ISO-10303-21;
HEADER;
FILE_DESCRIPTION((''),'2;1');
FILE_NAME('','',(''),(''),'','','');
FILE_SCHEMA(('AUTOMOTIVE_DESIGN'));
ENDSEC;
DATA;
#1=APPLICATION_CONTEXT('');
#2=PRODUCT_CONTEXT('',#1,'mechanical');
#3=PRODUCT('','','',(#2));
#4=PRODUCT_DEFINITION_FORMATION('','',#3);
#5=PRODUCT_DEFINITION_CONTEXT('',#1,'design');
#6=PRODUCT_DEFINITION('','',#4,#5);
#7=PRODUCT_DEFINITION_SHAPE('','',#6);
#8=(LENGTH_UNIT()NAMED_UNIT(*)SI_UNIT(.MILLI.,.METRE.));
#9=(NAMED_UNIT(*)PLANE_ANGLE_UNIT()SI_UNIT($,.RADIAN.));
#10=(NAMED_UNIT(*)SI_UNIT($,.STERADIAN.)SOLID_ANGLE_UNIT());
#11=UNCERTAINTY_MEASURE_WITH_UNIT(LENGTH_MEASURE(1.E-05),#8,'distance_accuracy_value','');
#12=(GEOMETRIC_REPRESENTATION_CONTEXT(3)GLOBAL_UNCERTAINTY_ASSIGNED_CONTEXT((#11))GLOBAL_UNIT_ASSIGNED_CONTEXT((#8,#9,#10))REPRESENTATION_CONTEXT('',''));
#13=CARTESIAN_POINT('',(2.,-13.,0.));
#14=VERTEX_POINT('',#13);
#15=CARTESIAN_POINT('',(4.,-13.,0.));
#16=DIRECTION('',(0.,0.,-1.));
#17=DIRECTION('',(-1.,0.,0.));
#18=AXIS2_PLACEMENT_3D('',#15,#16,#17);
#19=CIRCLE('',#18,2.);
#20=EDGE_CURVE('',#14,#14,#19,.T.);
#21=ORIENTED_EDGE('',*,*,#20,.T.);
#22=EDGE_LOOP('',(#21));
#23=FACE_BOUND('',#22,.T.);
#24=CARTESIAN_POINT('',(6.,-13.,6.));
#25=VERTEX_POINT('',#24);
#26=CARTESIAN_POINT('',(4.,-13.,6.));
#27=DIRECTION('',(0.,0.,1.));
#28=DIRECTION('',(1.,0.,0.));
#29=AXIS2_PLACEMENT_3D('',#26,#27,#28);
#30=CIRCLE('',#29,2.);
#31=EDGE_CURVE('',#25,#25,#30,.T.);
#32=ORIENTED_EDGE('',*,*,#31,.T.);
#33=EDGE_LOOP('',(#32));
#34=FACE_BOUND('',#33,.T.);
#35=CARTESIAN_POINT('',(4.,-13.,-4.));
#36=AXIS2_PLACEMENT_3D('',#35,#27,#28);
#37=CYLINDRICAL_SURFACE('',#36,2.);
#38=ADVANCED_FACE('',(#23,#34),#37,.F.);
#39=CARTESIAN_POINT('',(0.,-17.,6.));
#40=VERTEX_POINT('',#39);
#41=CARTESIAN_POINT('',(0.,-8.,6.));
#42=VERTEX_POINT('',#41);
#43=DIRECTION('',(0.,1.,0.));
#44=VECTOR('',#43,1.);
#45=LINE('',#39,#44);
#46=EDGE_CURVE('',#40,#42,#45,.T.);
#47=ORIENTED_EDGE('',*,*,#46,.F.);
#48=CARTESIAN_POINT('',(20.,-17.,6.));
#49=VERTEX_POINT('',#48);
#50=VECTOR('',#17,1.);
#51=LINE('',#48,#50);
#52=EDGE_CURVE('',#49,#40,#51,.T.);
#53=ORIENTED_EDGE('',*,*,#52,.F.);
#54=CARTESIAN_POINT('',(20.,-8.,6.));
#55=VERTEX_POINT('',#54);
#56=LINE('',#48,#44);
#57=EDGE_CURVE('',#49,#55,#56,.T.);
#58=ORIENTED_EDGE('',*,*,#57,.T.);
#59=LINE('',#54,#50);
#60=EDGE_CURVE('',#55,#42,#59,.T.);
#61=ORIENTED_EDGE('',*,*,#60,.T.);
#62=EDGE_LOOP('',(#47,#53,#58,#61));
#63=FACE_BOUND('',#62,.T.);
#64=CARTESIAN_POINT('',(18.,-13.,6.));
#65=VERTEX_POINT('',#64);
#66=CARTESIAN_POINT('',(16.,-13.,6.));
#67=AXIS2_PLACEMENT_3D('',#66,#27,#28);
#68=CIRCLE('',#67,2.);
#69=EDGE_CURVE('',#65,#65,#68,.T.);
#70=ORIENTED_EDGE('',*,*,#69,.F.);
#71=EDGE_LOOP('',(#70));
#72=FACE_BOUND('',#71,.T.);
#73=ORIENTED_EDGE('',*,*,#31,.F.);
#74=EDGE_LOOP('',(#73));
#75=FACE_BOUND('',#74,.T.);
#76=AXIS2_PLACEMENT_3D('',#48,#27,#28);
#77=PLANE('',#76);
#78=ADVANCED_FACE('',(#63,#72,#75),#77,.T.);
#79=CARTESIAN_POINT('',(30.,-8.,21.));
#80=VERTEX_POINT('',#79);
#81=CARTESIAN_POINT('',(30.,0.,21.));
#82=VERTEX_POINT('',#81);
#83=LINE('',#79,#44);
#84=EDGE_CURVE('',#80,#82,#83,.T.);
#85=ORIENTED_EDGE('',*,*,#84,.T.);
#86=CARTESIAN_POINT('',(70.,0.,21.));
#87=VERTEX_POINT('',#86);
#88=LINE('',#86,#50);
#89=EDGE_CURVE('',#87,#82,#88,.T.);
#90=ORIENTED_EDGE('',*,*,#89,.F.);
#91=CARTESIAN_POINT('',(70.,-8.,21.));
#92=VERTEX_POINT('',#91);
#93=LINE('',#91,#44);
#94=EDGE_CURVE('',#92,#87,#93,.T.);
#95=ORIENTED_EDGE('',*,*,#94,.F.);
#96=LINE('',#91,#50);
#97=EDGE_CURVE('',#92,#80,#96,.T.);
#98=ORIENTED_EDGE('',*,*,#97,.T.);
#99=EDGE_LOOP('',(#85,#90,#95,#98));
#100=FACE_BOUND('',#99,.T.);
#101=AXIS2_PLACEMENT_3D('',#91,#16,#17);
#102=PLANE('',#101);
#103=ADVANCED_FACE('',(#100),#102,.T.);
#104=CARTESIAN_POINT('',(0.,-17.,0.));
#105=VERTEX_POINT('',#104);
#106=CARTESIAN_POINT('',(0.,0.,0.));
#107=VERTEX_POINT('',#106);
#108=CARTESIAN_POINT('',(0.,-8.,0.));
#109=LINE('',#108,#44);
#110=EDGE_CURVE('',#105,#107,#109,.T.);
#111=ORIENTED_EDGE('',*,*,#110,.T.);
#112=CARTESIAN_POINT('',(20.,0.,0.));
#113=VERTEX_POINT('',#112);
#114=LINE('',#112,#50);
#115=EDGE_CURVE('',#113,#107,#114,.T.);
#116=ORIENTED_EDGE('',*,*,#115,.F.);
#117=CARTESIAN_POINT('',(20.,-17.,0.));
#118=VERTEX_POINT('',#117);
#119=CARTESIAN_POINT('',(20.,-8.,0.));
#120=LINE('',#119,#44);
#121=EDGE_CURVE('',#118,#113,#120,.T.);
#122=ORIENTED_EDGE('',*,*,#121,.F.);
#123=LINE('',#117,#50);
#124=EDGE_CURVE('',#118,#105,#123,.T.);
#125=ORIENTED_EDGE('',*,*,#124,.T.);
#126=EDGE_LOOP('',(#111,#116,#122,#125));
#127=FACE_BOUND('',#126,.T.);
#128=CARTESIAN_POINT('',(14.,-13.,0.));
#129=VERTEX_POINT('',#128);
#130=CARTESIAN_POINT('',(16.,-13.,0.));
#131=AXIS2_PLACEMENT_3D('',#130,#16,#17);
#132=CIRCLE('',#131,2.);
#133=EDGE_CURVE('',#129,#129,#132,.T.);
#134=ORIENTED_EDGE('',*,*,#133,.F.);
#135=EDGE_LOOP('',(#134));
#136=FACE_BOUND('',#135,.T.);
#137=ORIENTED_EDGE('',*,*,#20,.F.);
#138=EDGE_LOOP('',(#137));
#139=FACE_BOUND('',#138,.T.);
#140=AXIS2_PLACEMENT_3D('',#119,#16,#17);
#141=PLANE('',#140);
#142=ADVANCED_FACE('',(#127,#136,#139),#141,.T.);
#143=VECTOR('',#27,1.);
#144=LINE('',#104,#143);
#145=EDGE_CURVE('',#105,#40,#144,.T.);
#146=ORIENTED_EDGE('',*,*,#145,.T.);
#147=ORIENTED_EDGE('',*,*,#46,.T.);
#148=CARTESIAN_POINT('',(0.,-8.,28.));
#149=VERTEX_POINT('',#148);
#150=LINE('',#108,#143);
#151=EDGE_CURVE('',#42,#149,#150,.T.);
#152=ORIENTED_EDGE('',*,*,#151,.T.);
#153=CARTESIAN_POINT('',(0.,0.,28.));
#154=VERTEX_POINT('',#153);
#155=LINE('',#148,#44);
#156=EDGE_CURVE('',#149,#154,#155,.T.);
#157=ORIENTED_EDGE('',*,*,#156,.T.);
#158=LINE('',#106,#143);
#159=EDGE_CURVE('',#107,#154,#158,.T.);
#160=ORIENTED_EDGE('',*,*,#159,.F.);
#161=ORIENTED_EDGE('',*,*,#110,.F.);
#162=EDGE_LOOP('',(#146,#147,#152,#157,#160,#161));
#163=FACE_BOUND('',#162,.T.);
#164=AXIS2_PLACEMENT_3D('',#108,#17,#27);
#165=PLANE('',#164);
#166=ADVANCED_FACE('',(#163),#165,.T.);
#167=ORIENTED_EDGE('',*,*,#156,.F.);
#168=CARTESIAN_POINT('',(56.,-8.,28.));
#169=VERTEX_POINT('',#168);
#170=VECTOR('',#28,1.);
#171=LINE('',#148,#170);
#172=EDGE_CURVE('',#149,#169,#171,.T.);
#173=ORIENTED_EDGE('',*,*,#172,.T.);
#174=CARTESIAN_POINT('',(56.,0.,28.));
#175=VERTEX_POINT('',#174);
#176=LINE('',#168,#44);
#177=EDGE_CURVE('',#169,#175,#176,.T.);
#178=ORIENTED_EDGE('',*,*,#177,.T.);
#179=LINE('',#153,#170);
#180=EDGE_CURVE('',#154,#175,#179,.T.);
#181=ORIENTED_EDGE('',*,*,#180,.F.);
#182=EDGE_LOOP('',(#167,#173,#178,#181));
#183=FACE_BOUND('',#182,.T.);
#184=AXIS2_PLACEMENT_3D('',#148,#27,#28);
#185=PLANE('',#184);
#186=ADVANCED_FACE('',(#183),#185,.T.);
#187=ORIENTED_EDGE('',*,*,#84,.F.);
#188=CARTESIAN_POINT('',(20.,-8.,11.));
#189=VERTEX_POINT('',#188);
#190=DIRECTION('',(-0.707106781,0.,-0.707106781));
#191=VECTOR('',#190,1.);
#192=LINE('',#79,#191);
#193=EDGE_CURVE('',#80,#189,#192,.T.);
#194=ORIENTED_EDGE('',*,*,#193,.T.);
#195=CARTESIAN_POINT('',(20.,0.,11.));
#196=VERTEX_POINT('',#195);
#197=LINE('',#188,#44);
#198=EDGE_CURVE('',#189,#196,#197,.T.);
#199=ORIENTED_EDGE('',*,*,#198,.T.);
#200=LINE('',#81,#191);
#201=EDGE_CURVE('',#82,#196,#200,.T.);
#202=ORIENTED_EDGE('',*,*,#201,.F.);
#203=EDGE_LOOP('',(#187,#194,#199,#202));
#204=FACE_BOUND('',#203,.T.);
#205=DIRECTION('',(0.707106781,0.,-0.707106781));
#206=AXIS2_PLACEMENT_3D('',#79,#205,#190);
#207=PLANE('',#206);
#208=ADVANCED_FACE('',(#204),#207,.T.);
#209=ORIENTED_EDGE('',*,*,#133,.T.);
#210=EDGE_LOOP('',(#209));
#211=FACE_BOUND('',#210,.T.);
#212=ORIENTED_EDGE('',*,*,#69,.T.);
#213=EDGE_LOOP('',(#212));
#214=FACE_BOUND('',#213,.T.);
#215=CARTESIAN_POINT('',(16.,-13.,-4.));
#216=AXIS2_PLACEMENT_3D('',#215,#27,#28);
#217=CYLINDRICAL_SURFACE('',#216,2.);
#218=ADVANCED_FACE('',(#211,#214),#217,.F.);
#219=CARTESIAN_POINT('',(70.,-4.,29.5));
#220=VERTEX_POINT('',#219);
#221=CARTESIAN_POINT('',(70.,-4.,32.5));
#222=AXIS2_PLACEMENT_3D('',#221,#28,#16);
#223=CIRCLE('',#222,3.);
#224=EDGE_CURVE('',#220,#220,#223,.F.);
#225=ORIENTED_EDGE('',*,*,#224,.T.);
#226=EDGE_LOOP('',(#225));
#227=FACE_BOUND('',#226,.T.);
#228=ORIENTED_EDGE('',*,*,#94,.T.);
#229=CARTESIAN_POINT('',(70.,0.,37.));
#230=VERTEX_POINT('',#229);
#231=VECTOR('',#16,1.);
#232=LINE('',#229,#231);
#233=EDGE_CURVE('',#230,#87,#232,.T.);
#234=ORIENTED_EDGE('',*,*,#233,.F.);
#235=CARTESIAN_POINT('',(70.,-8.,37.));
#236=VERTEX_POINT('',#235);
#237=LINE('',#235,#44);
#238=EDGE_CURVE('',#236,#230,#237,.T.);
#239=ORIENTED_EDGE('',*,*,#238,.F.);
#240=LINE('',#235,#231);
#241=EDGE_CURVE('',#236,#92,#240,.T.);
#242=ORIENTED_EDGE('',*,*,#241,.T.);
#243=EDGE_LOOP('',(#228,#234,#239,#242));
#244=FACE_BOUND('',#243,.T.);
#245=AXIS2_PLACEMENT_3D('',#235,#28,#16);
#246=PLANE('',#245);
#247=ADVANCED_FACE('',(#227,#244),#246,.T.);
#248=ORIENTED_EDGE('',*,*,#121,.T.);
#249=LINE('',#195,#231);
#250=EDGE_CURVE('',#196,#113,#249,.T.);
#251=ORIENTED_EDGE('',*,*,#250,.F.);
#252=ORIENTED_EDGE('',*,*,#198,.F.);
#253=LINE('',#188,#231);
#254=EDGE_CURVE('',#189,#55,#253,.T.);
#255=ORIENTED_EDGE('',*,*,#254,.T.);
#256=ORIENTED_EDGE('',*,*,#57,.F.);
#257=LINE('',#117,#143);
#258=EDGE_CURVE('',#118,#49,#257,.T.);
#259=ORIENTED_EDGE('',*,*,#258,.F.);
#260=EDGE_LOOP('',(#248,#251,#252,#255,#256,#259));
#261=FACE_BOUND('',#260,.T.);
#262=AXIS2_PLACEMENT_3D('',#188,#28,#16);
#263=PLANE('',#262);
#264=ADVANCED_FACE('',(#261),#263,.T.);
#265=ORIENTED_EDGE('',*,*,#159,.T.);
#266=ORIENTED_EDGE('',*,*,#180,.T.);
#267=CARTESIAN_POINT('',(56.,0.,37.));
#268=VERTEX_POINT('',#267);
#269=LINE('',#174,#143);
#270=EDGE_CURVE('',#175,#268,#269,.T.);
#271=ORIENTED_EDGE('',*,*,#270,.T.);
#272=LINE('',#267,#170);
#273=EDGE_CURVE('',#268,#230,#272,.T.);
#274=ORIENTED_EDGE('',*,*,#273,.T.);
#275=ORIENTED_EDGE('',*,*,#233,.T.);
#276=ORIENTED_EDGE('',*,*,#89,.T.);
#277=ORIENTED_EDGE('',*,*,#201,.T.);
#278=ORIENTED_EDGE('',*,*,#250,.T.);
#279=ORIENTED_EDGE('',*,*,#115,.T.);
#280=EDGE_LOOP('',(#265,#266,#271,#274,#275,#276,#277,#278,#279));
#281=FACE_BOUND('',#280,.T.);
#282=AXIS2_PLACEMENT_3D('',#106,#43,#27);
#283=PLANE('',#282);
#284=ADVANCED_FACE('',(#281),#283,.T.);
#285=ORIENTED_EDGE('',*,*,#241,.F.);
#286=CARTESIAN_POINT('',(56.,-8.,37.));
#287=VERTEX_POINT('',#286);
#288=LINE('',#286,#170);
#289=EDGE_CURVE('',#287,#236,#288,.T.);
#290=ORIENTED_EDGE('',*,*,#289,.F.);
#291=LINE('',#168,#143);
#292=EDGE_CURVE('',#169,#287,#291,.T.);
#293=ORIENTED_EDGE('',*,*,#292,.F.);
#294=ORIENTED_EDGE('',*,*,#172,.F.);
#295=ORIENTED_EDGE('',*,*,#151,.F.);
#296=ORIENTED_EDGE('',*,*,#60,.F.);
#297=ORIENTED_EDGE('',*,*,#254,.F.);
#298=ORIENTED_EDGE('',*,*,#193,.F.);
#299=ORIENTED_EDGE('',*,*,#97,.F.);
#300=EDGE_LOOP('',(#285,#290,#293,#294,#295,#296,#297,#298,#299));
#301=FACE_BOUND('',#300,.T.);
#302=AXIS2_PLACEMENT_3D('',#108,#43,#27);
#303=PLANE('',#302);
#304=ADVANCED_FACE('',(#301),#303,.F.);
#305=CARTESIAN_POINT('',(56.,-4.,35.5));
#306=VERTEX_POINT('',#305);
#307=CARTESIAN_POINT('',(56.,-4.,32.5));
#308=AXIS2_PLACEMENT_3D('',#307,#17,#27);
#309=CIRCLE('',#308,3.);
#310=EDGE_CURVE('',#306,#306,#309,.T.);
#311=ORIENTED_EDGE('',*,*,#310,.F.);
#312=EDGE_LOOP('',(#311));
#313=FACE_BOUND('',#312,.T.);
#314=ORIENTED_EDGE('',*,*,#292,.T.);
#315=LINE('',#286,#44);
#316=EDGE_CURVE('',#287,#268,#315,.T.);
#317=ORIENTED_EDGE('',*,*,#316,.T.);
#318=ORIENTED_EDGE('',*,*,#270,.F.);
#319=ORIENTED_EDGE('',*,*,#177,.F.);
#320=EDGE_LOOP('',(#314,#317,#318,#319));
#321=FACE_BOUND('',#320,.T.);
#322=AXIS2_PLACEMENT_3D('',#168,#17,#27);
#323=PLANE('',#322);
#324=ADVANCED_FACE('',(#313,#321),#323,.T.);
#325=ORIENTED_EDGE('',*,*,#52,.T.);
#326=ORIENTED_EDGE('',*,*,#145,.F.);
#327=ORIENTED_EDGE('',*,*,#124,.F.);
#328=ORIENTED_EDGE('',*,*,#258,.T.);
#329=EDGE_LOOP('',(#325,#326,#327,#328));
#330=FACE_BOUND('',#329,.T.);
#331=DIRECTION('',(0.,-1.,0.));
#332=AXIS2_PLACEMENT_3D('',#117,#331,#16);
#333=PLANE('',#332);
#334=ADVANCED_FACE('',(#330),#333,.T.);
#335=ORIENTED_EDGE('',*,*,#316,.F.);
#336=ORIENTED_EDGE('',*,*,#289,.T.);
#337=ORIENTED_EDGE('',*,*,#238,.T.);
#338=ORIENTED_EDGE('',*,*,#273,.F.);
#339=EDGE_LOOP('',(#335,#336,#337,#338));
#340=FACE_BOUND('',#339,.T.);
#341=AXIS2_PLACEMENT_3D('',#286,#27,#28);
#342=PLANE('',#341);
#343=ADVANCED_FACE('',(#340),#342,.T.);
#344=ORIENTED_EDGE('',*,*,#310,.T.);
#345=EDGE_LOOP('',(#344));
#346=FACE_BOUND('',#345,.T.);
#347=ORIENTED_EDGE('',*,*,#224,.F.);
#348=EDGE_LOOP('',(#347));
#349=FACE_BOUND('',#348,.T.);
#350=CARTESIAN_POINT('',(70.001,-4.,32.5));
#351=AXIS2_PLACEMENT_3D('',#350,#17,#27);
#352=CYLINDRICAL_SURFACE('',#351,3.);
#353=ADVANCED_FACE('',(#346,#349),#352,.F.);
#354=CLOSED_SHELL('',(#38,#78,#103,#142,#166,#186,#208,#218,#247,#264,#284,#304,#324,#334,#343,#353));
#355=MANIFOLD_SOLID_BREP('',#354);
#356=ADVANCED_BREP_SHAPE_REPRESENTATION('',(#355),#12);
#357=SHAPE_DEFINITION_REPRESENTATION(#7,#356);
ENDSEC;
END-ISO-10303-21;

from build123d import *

# Parameters (mm, degrees)
BOSS_EXTRUDE1_DEPTH = 8
SKETCH2_W           = 6
SKETCH2_H           = 9
BOSS_EXTRUDE2_DEPTH = 20
CUT_EXTRUDE1_REACH  = 71.239
SKETCH3_R           = 3
SKETCH4_R           = 2
CUT_EXTRUDE2_DEPTH  = 10


with BuildPart() as part:
    # Sketch1 → Boss-Extrude1 (new body)
    with BuildSketch(Plane(origin=(0, 0, 0), x_dir=(1, 0, 0), z_dir=(0, 1, 0))):
        Polygon((0, 0), (0, -28), (56, -28), (56, -37), (70, -37), (70, -21), (30, -21), (20, -11), (20, 0), align=None)
    extrude(amount=-BOSS_EXTRUDE1_DEPTH)

    # Sketch2 → Boss-Extrude2 (add)
    with BuildSketch(Plane.ZY):
        with Locations((3, -12.5)):
            Rectangle(SKETCH2_W, SKETCH2_H)
    extrude(amount=-BOSS_EXTRUDE2_DEPTH)

    # Sketch3 → Cut-Extrude1 (cut, up to next)
    with BuildSketch(Plane.ZY.offset(-56), mode=Mode.PRIVATE) as cut_extrude1_sk1:
        with Locations((32.5, -4)):
            Circle(SKETCH3_R)
    cut_extrude1_tool1 = extrude(cut_extrude1_sk1.sketch, amount=-CUT_EXTRUDE1_REACH, mode=Mode.PRIVATE) & part.part
    add(cut_extrude1_tool1.solids().sort_by_distance((56, -4, 32.5))[0], mode=Mode.SUBTRACT)

    # Sketch4 → Cut-Extrude2 (cut)
    with BuildSketch(Plane.XY.offset(6)):
        with Locations((4, -13)):
            Circle(SKETCH4_R)
        with Locations((16, -13)):
            Circle(SKETCH4_R)
    extrude(amount=-CUT_EXTRUDE2_DEPTH, mode=Mode.SUBTRACT)


solid = part.part
